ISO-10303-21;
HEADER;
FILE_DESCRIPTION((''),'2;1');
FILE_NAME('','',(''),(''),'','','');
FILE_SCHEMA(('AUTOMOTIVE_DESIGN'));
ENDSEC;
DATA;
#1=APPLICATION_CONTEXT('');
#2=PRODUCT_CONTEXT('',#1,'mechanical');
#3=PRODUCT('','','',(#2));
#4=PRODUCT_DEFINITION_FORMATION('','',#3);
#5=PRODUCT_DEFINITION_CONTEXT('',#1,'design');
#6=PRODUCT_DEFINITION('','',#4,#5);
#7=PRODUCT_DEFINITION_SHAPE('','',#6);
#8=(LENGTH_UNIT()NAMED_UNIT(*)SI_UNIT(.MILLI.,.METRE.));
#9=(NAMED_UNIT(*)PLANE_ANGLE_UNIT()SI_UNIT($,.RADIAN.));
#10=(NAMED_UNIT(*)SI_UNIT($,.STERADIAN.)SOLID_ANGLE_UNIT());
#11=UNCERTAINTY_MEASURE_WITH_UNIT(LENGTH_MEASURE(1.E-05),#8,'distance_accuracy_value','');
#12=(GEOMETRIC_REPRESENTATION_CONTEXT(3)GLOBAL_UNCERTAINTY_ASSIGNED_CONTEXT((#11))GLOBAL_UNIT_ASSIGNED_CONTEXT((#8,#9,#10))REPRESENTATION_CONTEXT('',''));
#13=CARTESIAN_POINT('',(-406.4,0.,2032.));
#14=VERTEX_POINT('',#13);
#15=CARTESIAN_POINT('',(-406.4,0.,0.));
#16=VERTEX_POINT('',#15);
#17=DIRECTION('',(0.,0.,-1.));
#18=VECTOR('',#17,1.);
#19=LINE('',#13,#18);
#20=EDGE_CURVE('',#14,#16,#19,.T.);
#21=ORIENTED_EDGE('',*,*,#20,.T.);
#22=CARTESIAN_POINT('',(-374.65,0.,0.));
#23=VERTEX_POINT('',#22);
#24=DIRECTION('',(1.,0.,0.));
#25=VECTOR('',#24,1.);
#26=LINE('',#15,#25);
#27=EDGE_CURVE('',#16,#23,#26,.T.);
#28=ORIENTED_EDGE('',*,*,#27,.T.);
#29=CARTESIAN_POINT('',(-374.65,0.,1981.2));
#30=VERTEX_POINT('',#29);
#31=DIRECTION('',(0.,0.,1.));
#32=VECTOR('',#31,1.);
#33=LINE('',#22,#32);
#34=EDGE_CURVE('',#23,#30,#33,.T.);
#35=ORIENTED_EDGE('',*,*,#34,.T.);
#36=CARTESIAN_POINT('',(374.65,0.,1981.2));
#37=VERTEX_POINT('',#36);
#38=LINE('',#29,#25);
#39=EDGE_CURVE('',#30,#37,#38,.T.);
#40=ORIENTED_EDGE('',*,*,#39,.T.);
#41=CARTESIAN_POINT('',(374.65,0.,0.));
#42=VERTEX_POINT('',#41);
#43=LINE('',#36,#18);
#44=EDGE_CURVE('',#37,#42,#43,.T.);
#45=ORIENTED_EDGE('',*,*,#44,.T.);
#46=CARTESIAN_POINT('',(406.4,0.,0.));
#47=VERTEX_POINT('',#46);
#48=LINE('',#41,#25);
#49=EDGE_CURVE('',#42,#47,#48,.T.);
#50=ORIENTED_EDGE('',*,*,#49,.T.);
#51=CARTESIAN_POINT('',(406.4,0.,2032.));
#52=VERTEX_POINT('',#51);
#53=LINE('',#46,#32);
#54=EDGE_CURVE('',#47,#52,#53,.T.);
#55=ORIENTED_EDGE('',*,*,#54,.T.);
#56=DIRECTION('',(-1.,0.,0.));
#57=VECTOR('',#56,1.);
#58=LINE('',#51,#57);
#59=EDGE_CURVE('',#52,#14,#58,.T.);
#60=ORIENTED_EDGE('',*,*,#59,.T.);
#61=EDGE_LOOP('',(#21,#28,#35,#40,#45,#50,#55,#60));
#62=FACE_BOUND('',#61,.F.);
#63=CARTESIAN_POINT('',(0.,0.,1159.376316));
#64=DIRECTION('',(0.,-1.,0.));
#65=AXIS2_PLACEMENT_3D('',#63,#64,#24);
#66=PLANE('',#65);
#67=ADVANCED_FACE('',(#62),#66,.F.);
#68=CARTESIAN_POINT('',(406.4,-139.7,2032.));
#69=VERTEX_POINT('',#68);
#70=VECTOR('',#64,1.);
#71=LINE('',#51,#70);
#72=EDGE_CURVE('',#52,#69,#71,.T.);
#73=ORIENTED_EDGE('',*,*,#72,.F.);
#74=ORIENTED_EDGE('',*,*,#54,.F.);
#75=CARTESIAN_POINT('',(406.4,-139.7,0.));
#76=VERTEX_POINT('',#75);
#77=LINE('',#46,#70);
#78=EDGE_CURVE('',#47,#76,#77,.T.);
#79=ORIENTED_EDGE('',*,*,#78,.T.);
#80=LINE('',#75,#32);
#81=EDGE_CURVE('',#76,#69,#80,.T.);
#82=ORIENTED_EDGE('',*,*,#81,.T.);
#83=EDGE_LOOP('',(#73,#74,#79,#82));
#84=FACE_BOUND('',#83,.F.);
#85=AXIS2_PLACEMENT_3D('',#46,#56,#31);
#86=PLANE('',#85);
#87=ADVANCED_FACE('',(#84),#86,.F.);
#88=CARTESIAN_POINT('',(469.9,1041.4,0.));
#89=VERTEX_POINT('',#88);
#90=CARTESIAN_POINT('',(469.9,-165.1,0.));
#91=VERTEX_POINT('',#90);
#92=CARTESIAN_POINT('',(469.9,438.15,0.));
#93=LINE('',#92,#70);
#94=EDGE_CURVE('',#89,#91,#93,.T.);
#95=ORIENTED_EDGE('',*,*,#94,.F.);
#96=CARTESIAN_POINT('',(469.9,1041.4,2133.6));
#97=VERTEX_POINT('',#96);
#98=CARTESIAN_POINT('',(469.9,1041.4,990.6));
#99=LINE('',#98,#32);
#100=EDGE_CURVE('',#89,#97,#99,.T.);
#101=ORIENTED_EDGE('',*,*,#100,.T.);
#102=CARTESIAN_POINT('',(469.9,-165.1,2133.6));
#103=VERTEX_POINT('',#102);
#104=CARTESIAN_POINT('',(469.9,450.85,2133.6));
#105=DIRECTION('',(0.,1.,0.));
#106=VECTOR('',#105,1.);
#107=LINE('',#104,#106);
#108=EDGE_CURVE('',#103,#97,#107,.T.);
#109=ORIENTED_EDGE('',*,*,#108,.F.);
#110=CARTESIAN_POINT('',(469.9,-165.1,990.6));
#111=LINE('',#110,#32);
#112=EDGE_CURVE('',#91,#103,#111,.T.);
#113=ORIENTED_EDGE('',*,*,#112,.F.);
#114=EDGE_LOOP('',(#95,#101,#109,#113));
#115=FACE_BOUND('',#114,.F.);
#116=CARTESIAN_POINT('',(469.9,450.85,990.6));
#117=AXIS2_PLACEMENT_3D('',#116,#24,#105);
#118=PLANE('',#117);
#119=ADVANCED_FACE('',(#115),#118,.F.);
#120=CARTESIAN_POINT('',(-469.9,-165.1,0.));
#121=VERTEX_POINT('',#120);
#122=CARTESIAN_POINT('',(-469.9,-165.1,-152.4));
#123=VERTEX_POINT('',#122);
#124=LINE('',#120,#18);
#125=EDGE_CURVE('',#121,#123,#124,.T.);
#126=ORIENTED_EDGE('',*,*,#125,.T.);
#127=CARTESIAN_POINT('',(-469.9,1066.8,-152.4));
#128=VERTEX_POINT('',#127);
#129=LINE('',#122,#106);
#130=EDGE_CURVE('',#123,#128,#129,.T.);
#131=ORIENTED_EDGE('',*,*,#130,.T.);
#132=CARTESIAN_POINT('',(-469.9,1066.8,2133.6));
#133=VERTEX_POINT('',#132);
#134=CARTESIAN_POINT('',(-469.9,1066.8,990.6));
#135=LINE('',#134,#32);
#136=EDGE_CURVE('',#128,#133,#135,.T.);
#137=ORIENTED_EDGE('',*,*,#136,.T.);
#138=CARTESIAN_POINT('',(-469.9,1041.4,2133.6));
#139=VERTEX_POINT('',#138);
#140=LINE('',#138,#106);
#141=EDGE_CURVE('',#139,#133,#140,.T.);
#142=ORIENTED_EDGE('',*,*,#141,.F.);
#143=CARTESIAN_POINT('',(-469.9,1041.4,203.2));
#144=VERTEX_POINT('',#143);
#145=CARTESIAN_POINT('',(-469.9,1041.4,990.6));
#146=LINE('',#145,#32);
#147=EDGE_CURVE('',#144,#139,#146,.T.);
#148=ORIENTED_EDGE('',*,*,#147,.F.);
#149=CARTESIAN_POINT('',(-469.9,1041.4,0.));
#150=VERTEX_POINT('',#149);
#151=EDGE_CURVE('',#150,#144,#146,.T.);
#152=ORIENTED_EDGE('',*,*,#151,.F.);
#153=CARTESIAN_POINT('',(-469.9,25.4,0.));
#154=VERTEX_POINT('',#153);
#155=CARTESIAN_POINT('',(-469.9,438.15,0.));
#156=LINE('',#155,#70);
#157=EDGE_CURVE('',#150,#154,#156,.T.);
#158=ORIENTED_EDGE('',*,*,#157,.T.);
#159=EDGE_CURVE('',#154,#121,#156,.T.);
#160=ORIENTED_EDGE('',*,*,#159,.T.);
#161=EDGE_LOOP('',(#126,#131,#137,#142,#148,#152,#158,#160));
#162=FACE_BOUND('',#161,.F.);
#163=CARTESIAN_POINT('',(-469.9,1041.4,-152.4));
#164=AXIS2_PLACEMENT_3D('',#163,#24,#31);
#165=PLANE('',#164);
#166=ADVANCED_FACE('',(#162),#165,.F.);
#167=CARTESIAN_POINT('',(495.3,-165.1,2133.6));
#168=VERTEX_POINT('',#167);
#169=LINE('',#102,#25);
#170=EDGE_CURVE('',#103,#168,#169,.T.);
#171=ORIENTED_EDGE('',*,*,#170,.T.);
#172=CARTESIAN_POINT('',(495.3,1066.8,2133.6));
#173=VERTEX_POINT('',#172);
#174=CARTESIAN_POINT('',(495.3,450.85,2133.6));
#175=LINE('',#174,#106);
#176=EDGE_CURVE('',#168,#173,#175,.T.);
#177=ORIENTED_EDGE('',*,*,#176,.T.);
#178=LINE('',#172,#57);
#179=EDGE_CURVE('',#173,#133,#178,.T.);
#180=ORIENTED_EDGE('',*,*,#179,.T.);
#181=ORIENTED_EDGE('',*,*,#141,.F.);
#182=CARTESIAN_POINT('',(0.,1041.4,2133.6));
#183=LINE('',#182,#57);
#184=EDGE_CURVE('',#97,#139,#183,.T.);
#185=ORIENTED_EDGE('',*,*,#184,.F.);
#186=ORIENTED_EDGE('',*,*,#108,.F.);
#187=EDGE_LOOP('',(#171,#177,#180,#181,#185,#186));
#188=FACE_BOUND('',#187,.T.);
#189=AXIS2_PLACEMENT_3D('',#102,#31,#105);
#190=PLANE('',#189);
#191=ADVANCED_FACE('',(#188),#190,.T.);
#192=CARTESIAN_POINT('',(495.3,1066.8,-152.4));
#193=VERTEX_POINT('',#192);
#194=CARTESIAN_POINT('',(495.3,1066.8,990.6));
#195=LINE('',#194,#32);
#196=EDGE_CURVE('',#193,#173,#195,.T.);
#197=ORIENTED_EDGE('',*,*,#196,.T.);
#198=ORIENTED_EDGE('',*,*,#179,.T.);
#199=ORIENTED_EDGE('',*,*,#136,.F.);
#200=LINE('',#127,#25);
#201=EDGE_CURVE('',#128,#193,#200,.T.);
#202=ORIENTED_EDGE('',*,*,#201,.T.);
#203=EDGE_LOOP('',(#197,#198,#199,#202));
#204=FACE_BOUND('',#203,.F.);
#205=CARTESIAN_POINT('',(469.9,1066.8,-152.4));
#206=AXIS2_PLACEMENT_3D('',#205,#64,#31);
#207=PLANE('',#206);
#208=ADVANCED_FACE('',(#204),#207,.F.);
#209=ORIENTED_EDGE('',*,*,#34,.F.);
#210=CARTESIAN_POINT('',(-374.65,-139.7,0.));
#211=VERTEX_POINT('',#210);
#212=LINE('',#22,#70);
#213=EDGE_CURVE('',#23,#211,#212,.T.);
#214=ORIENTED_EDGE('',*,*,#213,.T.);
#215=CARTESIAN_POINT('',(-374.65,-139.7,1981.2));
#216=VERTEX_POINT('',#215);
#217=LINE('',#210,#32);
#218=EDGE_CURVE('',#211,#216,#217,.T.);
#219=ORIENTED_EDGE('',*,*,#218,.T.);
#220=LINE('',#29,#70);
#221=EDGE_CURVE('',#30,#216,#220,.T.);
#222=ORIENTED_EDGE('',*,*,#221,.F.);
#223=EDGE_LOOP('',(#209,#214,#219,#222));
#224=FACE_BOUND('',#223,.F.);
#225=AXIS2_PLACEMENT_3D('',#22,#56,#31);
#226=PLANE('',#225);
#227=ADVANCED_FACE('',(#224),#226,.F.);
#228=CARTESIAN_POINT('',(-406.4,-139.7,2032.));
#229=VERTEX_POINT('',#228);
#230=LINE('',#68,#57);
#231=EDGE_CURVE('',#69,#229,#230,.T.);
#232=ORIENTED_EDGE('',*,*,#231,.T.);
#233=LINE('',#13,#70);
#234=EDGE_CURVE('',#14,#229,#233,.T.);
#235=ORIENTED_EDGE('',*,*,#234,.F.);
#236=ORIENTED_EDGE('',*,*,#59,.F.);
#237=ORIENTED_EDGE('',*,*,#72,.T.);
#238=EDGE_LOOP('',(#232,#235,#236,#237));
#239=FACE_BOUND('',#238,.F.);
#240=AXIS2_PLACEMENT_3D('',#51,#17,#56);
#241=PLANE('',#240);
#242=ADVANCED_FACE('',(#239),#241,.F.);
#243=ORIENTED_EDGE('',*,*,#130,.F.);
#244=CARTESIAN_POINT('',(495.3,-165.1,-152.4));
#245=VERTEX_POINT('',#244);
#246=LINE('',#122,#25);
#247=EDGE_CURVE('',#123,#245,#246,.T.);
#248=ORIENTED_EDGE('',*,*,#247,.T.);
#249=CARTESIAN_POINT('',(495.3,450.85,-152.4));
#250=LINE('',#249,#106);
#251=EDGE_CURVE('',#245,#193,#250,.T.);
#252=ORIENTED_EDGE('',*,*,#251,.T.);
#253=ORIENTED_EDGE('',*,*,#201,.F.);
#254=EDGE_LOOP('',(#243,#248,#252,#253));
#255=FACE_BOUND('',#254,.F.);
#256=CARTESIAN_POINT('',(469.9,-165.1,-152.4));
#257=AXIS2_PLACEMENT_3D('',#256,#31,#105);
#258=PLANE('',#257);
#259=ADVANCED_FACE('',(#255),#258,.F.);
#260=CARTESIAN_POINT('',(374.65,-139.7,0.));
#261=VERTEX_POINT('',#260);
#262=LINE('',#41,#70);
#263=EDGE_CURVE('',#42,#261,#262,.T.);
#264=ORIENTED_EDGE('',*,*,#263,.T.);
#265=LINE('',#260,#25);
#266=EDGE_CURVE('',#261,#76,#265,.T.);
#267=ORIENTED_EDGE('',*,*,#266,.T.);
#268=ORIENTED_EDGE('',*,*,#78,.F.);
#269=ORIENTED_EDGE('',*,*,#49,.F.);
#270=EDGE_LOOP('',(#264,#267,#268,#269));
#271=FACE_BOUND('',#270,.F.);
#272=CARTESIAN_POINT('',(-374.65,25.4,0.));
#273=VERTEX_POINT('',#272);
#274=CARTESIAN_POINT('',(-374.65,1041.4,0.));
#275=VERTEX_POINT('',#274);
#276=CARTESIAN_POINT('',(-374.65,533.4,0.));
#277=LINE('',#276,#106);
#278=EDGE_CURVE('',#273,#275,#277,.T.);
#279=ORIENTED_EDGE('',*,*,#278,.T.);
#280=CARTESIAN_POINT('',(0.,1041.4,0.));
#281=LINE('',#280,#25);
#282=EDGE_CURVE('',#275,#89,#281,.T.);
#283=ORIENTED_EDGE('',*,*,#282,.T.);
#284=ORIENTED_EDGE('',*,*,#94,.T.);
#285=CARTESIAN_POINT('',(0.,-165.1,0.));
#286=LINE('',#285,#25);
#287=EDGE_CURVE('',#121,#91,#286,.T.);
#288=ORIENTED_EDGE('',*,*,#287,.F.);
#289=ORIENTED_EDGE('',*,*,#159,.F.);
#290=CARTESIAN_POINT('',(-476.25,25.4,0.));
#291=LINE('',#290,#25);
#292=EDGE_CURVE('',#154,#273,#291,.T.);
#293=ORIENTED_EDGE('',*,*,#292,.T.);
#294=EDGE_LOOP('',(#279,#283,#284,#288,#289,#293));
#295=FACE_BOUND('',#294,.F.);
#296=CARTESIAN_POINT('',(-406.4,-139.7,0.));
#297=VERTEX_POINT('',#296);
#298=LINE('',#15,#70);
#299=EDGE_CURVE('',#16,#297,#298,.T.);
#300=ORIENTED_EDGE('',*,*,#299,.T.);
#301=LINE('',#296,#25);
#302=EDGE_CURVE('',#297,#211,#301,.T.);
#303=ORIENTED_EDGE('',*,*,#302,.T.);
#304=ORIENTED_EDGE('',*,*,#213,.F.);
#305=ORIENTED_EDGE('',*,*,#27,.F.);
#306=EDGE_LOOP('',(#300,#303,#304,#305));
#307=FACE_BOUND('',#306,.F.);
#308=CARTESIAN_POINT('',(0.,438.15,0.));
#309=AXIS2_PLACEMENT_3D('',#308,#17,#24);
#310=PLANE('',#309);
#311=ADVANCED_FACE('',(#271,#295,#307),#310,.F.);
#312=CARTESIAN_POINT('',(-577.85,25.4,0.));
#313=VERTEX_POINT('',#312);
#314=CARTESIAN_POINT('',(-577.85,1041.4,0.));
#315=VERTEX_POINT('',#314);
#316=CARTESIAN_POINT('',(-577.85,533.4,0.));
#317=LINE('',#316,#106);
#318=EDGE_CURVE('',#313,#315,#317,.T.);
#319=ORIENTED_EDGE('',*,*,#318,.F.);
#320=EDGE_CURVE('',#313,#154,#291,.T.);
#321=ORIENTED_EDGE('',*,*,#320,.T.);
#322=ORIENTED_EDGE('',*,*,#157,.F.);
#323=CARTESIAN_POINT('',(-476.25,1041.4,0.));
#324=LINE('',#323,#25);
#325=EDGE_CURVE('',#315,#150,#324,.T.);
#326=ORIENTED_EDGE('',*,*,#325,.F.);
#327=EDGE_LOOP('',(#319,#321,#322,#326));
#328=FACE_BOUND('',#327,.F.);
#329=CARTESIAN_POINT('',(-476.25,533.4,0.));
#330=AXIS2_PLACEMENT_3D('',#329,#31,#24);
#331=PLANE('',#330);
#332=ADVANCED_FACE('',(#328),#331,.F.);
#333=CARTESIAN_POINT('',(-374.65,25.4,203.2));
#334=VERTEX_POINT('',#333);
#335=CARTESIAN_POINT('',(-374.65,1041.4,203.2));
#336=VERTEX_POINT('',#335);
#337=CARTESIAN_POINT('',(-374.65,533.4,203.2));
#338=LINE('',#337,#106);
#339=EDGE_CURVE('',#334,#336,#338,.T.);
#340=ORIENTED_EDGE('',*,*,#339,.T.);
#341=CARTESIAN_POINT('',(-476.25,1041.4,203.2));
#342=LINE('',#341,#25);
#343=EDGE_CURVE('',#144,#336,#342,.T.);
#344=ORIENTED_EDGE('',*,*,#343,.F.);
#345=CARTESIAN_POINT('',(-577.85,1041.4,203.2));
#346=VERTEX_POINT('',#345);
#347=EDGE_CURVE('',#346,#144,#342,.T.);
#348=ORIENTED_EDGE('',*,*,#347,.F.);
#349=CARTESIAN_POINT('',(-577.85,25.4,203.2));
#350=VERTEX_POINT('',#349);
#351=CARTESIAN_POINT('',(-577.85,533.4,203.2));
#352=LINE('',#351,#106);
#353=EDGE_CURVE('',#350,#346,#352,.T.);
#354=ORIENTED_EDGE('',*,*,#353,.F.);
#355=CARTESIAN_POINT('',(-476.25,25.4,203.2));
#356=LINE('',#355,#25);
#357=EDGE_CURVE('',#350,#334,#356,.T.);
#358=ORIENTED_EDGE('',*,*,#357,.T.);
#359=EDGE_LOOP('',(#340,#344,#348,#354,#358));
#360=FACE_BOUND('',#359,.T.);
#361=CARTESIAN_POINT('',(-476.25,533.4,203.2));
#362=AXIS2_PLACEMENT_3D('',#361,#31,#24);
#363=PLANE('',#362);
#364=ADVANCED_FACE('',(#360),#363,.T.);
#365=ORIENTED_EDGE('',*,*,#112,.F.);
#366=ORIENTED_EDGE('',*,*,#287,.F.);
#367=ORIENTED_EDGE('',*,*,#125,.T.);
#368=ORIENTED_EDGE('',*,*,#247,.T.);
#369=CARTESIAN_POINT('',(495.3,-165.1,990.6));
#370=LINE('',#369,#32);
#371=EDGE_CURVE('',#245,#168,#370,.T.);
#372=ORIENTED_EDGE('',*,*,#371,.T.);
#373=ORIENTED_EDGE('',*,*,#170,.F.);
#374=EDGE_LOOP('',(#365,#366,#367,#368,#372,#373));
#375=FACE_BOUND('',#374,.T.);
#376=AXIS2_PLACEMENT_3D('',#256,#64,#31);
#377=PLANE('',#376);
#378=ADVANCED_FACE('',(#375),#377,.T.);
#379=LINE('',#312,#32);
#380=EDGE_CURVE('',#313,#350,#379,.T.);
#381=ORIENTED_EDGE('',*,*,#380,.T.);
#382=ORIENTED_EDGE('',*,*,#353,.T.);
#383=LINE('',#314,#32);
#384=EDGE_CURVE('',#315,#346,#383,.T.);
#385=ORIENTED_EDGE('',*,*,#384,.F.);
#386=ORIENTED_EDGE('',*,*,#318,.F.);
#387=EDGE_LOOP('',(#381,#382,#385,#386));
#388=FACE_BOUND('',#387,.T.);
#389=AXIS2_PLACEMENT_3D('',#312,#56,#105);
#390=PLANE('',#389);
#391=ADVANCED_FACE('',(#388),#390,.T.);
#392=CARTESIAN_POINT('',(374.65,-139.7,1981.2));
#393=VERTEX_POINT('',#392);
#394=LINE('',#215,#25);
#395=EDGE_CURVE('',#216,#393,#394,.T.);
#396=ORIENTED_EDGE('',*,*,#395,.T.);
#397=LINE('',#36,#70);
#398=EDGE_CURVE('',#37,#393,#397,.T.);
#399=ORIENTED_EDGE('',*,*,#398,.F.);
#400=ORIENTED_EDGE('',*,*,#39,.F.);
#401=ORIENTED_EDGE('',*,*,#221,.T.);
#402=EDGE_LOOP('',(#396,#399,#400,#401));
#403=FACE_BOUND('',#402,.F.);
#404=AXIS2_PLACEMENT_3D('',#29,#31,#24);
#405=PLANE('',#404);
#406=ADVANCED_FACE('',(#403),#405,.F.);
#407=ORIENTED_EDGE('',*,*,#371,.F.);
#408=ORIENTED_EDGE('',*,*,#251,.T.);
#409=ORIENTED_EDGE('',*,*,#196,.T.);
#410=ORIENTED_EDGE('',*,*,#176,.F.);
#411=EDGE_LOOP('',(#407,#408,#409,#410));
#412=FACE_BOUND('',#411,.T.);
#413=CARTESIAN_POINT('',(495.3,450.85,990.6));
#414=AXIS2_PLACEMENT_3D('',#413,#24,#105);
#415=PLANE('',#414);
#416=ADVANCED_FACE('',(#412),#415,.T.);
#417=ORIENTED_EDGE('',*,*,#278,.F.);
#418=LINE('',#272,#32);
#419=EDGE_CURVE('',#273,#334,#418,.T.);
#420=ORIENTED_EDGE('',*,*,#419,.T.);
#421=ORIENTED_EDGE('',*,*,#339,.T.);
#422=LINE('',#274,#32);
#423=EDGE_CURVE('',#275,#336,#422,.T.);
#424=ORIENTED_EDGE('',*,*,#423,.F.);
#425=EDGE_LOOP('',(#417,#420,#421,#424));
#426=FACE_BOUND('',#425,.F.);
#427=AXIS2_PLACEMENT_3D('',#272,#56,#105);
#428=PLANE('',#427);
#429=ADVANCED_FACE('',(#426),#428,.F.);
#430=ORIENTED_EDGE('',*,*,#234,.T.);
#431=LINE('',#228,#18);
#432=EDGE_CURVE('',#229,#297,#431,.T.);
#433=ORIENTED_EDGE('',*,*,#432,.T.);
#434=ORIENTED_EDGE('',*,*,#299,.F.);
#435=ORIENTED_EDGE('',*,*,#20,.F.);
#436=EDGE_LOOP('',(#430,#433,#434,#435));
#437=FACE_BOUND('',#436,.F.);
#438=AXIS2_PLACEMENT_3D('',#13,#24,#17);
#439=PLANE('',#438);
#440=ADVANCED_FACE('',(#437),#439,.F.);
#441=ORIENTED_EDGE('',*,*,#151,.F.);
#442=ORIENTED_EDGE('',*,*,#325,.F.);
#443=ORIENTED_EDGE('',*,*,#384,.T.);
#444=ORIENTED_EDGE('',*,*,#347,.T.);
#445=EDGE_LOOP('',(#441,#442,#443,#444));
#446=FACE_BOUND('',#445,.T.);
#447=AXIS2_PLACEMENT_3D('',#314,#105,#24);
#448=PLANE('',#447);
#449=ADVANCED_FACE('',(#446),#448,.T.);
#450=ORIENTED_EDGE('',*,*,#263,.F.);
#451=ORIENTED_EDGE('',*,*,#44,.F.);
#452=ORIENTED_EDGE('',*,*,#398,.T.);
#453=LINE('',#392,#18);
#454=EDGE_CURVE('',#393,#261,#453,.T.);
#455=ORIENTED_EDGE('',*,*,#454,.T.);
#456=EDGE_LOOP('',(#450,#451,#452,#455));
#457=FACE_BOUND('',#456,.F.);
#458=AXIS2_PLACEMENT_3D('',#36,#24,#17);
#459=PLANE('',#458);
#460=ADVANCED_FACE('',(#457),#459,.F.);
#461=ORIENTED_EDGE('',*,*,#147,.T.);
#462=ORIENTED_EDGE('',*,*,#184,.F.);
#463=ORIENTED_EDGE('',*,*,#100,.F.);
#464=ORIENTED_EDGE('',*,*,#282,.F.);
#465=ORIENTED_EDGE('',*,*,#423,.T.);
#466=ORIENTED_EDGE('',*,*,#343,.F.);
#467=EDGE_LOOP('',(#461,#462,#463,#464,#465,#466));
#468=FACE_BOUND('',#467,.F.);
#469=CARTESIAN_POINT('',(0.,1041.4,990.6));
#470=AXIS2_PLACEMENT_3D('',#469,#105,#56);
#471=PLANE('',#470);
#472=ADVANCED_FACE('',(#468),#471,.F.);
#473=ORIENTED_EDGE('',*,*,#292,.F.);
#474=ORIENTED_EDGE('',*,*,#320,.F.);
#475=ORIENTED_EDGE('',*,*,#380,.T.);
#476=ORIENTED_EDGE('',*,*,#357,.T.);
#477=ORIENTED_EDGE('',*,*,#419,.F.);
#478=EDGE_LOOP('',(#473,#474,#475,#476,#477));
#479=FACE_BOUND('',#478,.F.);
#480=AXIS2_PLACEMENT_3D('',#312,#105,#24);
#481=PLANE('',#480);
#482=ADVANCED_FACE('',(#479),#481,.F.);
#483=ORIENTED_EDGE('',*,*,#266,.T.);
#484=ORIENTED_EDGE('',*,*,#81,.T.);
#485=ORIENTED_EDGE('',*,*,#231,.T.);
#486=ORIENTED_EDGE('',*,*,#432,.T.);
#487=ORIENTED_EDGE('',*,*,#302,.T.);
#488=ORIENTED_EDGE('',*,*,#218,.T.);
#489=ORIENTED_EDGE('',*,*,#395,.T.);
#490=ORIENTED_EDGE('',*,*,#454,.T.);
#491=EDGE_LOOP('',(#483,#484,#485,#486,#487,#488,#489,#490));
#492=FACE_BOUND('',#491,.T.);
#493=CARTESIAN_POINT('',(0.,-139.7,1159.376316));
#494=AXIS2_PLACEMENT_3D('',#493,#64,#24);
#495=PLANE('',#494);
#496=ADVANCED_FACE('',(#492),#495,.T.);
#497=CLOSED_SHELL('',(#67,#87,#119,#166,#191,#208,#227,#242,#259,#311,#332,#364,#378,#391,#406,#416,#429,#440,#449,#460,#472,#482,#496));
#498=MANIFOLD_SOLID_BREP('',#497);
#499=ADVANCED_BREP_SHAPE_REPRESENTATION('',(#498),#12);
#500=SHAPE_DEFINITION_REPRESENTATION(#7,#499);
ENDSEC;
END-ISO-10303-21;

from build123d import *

# Parameters (mm, degrees)
F1_DEPTH = 139.7
F2_W     = 939.8
F2_H     = 1206.5
F3_DEPTH = 152.4
F4_W     = 939.8
F4_H     = 2286
F5_DEPTH = 25.4
F6_W     = 1231.9
F6_H     = 2286
F7_DEPTH = 25.4
F8_W     = 203.2
F8_H     = 1016
F9_DEPTH = 203.2


with BuildPart() as f1:
    # F0 (on Front) → F1 (new body)
    with BuildSketch(Plane.XZ):
        Polygon((-374.65, 0), (-374.65, 1981.2), (374.65, 1981.2), (374.65, 0), (406.4, 0), (406.4, 2032), (-406.4, 2032), (-406.4, 0), align=None)
    extrude(amount=F1_DEPTH)

    # F2 (on face) → F3 (join)
    with BuildSketch(Plane(origin=(0, 0, 0), x_dir=(1, 0, 0), z_dir=(0, 0, -1))):
        with Locations((0, -438.15)):
            Rectangle(F2_W, F2_H)
    extrude(amount=F3_DEPTH)

    # F4 (on face) → F5 (join)
    with BuildSketch(Plane(origin=(0, 1041.4, 0), x_dir=(-1, 0, 0), z_dir=(0, 1, 0))):
        with Locations((0, 990.6)):
            Rectangle(F4_W, F4_H)
    extrude(amount=F5_DEPTH)

    # F6 (on face) → F7 (join)
    with BuildSketch(Plane.YZ.offset(469.9)):
        with Locations((450.85, 990.6)):
            Rectangle(F6_W, F6_H)
    extrude(amount=F7_DEPTH)

    # F8 (on face) → F9 (join)
    with BuildSketch(Plane.XY):
        with Locations((-476.25, 533.4)):
            Rectangle(F8_W, F8_H)
    extrude(amount=F9_DEPTH)


solid = f1.part
